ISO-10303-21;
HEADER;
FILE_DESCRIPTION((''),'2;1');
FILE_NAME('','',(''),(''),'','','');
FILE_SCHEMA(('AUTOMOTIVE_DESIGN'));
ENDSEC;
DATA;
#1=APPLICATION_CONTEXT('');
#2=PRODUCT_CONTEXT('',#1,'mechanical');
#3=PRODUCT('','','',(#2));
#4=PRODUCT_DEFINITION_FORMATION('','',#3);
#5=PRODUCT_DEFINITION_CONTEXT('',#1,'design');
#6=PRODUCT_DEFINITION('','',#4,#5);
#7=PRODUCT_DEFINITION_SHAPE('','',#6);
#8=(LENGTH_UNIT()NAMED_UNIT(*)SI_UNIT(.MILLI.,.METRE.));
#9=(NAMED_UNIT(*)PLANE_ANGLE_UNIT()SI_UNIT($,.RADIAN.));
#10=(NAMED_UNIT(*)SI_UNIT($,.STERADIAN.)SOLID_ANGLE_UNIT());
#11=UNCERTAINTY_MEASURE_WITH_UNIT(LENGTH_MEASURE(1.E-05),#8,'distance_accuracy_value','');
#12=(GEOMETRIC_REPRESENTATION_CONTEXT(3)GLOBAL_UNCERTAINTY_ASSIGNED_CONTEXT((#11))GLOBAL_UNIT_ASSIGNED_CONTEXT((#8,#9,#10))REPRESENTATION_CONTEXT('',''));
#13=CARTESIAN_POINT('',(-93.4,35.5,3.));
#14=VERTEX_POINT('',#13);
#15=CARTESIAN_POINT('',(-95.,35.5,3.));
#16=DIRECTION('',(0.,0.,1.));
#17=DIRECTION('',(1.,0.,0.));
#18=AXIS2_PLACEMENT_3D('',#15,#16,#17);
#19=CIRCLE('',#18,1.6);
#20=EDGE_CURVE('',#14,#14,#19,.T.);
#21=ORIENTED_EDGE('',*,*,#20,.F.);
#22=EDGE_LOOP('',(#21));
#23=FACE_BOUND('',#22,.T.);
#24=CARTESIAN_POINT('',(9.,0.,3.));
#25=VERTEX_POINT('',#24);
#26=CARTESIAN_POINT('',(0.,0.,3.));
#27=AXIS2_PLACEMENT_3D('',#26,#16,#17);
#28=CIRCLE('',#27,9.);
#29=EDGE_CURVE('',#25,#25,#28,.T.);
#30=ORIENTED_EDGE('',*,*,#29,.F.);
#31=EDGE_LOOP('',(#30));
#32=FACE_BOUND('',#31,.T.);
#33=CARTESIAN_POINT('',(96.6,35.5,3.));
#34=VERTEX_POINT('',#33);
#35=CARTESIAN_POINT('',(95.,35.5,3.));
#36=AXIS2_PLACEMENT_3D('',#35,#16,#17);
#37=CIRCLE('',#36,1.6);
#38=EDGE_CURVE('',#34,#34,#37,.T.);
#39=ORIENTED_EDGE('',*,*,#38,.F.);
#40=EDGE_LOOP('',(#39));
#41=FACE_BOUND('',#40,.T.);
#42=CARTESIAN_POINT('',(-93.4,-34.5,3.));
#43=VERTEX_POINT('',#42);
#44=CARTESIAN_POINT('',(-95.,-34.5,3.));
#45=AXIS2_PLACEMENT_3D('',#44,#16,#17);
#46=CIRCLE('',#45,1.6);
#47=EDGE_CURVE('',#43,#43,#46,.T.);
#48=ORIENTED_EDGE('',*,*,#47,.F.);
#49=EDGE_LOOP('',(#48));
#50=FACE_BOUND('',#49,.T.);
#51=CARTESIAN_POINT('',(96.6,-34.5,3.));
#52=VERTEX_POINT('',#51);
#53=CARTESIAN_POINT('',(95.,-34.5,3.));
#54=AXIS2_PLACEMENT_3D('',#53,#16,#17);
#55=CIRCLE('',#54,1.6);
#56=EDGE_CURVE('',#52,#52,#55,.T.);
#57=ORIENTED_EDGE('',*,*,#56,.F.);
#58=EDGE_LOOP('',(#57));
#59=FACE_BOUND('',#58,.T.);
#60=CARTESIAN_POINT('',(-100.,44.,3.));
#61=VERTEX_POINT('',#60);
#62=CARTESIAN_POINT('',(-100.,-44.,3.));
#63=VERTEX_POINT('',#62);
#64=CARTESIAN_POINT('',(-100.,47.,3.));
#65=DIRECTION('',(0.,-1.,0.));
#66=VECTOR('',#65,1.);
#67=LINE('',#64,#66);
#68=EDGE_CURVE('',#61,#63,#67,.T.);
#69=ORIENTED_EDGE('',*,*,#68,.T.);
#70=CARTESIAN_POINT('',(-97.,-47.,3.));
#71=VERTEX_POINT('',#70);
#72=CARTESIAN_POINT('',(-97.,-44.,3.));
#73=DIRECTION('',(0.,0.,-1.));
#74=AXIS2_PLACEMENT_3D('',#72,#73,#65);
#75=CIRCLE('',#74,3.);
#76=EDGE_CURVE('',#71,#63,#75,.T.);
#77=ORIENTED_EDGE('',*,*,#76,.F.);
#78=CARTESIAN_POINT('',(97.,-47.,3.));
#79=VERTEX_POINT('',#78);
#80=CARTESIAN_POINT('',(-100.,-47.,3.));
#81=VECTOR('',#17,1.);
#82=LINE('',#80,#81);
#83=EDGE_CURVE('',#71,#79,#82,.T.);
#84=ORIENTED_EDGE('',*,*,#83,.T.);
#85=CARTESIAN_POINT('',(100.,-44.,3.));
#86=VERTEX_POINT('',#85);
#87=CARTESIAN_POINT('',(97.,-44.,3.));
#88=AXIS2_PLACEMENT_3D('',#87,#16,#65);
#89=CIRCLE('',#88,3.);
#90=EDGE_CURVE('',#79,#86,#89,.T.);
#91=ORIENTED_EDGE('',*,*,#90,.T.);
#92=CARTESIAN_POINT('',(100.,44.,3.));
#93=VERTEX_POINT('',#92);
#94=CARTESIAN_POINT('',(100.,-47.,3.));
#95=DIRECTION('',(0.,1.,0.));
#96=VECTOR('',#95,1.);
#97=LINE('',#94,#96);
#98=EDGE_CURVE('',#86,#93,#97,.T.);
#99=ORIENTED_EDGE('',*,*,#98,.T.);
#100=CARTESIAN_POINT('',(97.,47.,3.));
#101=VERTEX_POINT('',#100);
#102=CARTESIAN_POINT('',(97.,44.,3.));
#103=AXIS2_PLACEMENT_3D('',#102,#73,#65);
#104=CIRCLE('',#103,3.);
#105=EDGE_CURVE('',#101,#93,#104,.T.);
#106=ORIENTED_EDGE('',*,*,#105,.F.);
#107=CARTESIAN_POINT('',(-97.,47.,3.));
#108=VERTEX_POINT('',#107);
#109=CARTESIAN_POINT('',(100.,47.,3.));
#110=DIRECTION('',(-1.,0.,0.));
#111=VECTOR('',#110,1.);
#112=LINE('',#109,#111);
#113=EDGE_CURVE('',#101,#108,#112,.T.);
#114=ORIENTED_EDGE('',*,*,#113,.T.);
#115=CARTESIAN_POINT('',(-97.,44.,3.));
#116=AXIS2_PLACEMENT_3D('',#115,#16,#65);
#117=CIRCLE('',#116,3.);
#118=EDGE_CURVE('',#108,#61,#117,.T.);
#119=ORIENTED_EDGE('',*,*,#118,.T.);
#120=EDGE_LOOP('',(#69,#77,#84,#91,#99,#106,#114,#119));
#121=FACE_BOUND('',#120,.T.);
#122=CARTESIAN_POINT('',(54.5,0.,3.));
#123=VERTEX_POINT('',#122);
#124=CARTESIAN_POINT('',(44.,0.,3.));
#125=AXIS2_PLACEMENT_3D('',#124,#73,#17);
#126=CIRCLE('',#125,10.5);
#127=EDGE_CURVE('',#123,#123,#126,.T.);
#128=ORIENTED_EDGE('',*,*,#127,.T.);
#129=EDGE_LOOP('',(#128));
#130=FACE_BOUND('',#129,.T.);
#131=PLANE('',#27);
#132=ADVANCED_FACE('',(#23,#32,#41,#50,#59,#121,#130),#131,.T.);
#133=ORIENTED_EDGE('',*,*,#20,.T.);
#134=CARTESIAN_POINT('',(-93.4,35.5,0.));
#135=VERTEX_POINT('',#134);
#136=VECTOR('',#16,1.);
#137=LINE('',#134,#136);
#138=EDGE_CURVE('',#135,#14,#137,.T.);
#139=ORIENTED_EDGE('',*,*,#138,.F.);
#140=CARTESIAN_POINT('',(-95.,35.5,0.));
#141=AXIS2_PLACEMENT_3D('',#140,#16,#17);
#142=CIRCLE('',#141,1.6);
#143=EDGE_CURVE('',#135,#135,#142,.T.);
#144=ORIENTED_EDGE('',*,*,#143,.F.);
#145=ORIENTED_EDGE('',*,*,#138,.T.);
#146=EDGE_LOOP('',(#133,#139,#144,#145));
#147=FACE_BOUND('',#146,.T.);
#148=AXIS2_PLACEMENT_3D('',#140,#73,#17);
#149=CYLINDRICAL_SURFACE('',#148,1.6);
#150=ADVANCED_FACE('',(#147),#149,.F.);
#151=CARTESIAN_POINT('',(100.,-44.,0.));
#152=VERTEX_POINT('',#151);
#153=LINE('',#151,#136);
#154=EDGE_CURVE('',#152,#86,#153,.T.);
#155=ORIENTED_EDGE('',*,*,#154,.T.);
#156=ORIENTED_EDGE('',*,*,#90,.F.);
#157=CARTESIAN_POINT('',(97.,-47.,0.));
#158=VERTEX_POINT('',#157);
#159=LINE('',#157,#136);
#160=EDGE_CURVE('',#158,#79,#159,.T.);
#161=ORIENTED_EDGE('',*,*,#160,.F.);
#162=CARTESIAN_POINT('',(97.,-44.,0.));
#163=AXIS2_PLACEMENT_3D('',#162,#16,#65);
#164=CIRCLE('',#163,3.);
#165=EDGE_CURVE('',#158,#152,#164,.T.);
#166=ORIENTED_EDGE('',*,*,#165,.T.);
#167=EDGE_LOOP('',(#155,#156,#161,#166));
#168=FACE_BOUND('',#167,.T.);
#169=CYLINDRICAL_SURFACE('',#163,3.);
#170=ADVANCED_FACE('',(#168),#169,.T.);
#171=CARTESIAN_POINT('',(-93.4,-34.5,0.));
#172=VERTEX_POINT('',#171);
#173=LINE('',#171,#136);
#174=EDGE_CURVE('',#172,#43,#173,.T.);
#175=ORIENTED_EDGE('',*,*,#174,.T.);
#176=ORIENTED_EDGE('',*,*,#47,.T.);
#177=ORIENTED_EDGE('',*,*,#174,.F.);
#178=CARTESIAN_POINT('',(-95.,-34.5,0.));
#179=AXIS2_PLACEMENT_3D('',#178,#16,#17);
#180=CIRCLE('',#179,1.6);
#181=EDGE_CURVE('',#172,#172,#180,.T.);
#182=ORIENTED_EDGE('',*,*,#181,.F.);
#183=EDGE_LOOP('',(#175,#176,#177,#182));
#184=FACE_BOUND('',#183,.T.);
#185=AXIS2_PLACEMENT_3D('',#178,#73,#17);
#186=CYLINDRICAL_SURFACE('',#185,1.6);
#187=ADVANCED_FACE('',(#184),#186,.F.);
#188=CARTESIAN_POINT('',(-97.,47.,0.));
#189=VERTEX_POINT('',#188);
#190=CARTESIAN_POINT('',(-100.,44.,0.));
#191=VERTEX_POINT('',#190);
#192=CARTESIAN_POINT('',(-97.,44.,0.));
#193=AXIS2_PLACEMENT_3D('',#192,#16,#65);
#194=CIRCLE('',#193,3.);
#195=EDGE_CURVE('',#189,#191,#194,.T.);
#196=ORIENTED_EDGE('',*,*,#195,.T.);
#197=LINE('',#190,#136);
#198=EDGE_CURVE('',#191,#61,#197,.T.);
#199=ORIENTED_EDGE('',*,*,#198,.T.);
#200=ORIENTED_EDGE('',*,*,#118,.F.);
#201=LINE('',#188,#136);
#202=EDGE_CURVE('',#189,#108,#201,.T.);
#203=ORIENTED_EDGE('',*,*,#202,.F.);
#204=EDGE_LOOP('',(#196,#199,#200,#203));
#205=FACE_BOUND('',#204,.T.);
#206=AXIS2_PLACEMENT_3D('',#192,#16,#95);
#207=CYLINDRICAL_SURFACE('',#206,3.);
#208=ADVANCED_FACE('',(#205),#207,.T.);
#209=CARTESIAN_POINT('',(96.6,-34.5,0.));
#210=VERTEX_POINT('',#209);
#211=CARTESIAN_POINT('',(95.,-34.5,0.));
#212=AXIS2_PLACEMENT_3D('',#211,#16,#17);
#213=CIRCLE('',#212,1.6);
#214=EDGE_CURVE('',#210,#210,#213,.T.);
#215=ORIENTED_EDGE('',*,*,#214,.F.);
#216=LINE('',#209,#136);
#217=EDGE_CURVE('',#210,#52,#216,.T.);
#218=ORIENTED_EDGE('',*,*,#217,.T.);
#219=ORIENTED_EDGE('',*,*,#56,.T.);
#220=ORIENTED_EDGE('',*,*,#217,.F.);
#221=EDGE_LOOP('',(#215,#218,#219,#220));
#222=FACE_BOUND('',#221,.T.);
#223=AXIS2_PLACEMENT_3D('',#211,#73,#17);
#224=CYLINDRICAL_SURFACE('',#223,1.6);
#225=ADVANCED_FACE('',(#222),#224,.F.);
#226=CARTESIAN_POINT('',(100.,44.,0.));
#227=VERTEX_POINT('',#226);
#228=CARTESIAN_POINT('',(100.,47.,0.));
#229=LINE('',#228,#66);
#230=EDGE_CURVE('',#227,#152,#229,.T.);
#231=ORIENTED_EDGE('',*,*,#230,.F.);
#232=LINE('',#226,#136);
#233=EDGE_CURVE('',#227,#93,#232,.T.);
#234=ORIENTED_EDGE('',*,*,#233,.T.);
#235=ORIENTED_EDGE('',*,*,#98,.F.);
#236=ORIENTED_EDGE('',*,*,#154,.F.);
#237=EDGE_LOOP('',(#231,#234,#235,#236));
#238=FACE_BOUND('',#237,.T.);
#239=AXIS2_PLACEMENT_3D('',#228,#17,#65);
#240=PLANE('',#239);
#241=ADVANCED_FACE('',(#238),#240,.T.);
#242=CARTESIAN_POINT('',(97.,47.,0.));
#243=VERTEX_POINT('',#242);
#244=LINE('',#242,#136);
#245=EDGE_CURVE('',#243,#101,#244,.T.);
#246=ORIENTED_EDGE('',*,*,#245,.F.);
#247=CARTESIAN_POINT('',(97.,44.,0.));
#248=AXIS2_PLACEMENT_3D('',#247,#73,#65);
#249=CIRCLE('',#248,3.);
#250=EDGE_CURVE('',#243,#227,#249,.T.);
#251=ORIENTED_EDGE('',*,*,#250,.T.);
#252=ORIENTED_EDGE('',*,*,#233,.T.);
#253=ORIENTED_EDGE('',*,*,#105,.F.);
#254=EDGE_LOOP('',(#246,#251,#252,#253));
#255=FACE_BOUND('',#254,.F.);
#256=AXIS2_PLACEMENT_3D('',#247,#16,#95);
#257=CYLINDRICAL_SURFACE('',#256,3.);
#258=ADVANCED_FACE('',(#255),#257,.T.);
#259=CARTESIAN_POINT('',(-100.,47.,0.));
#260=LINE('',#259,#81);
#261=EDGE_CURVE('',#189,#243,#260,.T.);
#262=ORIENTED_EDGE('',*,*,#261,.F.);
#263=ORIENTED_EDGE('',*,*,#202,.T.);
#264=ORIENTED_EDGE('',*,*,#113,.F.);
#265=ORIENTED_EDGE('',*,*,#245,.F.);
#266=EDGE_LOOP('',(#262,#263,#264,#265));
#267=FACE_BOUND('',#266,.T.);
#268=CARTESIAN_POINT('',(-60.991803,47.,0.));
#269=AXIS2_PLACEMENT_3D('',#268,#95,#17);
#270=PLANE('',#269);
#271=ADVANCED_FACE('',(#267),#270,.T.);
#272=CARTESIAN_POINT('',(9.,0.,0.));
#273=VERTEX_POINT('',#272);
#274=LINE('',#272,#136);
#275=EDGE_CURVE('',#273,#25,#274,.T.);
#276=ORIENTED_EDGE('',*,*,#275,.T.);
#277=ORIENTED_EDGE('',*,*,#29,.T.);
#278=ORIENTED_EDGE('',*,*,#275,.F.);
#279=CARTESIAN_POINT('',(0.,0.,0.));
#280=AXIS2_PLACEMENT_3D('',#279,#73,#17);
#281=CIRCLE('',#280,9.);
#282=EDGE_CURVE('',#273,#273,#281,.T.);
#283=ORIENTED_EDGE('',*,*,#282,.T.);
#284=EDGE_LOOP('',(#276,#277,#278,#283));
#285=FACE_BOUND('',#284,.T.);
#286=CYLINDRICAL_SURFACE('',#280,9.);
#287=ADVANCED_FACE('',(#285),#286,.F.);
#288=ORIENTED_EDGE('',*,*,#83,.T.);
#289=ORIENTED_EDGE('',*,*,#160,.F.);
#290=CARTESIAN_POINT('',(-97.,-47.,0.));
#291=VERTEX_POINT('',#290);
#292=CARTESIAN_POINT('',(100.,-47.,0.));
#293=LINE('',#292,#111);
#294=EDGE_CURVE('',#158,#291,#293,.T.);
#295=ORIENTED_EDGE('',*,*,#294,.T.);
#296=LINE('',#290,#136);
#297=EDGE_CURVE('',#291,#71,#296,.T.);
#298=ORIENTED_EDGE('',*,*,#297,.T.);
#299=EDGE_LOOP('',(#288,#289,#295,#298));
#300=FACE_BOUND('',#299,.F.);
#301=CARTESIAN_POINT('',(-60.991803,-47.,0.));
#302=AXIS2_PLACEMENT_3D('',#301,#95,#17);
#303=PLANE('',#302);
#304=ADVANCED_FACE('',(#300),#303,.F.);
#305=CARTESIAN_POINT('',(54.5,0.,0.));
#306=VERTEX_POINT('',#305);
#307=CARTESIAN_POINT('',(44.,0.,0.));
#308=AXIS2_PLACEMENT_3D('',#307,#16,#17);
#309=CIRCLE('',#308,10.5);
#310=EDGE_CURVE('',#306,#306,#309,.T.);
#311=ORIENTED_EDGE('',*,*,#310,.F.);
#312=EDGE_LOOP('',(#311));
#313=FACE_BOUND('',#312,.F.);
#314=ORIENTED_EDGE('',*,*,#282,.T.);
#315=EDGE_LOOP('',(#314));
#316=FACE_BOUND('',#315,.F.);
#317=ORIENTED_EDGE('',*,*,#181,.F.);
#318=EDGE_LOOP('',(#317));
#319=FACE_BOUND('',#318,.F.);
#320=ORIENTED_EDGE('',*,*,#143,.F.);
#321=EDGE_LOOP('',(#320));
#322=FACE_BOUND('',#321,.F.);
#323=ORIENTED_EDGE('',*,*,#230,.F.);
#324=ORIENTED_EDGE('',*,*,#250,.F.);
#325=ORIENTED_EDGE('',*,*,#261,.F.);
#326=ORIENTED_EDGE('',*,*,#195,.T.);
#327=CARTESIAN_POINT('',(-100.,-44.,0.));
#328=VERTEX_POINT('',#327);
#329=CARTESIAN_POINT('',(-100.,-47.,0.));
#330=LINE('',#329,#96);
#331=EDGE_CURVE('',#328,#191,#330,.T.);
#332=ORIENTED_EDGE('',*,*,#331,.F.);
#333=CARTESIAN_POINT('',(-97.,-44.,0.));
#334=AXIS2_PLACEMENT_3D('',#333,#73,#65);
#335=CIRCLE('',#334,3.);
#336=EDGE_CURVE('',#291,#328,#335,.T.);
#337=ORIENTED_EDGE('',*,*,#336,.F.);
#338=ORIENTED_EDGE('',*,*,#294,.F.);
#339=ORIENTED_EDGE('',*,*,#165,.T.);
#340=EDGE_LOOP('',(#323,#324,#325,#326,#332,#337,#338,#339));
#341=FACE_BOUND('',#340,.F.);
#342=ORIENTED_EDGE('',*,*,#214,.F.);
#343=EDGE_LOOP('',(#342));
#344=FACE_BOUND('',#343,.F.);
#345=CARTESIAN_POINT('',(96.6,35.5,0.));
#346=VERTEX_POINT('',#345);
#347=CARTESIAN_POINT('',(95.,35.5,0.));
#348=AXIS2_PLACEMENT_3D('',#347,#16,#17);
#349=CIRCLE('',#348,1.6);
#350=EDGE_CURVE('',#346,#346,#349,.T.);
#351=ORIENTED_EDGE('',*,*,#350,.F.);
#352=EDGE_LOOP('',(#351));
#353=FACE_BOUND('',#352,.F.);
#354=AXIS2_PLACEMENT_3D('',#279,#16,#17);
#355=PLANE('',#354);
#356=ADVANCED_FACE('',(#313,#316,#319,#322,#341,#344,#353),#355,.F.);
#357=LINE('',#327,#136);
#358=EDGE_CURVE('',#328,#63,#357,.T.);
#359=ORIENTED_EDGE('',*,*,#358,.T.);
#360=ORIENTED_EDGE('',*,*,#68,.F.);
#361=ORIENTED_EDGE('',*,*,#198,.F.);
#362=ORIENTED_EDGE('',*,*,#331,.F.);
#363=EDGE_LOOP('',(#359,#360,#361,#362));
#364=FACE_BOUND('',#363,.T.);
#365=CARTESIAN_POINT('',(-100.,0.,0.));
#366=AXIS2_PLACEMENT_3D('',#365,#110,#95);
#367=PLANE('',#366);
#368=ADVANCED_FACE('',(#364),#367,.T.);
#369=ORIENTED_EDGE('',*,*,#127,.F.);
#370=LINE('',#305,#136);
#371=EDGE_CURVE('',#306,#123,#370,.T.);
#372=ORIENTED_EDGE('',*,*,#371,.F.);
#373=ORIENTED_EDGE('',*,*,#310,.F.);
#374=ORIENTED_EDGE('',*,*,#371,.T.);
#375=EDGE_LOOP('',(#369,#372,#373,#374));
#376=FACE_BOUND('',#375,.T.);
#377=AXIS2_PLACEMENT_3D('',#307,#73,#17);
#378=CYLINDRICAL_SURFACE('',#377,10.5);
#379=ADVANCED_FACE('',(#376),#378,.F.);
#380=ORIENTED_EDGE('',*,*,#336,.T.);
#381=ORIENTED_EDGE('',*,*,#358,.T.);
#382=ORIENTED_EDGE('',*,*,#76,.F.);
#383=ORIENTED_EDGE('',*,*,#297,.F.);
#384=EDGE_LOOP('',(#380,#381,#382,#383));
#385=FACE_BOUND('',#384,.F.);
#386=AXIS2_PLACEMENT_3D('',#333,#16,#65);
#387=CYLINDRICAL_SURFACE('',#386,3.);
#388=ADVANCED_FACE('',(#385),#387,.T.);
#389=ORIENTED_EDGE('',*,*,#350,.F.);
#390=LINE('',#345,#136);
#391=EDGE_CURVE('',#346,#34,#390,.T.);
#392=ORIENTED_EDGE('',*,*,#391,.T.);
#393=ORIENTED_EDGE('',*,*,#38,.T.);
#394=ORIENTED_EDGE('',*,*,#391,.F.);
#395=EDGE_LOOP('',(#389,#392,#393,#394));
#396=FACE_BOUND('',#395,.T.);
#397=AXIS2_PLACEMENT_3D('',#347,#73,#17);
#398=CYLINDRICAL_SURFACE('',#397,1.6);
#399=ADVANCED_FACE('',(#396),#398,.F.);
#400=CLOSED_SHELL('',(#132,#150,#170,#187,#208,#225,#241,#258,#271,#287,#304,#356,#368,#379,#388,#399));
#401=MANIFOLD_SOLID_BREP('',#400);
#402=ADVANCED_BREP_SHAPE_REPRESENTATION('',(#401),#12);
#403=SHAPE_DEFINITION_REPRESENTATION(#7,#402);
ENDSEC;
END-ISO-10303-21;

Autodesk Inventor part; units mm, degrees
ref_plane "YZ Plane" through (0, 0, 0) normal (1, 0, 0) x (0, 1, 0)
ref_plane "XZ Plane" through (0, 0, 0) normal (0, 1, 0) x (-1, 0, 0)
ref_plane "XY Plane" through (0, 0, 0) normal (0, 0, 1) x (1, 0, 0)
sketch "スケッチ1" plane through (0, 0, 0) normal (0, 0, 1) x (1, 0, 0)
  circle A0 centre (0, 0) radius 77
  circle A1 centre (0, 0) radius 9
  circle A2 centre (44, 0) radius 10.5
  circle A3 centre (-44, 0) radius 6
  line L0 (100, -77) -> (-100, -77)
  line L1 (-100, -77) -> (-100, 77)
  line L2 (-100, 77) -> (100, 77)
  line L3 (100, 77) -> (100, -77)
  line L4 (100, -77) -> (-100, 77) construction
  line L5 (-100, -77) -> (100, 77) construction
  line L6 (-100, 0) -> (100, 0)
  line L7 (-100, 47) -> (100, 47)
  circle A4 centre (-95, 35.5) radius 1.6
  circle A5 centre (-95, -34.5) radius 1.6
  circle A6 centre (95, 35.5) radius 1.6
  circle A7 centre (95, -34.5) radius 1.6
  circle A8 centre (-44, 0) radius 9
  circle A9 centre (44, 0) radius 17.5
  circle A10 centre (-44, 9) radius 1.6
  circle A11 centre (-44, -9) radius 1.6
  circle A12 centre (44, 17.5) radius 2.05
  circle A13 centre (26.5, 0) radius 2.05
  circle A14 centre (44, -17.5) radius 2.05
  circle A15 centre (61.5, 0) radius 2.05
  line L8 (-100, -47) -> (100, -47)
  dimension "d20" = 18
  dimension "d21" = 35
  dimension "d0" = 154
  dimension "d1" = 18
  dimension "d2" = 21
  dimension "d3" = 12
  dimension "d4" = 44
  dimension "d5" = 44
  dimension "d6" = 200
  dimension "d7" = 30
  dimension "d8" = 3.2
  dimension "d9" = 3.2
  dimension "d10" = 3.2
  dimension "d11" = 3.2
  dimension "d12" = 5
  dimension "d15" = 5
  dimension "d16" = 5
  dimension "d17" = 70
  dimension "d18" = 5
  dimension "d19" = 70
  dimension "d22" = 3.2
  dimension "d25" = 360
  dimension "d27" = 9
  dimension "d28" = 4.1
  dimension "d29" = 17.5
  dimension "d32" = 360
  dimension "d36" = 11.5
  dimension "d37" = 11.5
  dimension "d38" = 30
extrude "押し出し1" add sketch "スケッチ1" along normal blind 3 contours L6 A15 A9 A12 A13 A1 A8 A10 A0 L7 | L6 L3 L8 A0 | A0 L8 L6 A8 A11 A1 A13 A9 A14 A15 | A0 L7 L3 L6 | A15 A9 L6 | L6 A9 A15 | A0 L6 L1 L7 | L8 L1 L6 A0 | A9 A15 L6 | L6 A15 A9 | A15 L6 A2 A13 A9 A12 | A9 A14 A13 L6 A2 A15 | A12 A9 | A9 A12 | A14 A9 | A9 A14 | A8 A10 L6 A3 | L6 A3 A8 A11 | L6 A3 | A3 L6 | A10 A8 | A8 A10 | A11 A8 | A8 A11 | A13 L6 A9 | A9 L6 A13 | A13 L6 A9 | A9 L6 A13
fillet "フィレット1" radius 3 4 edges at (100, 47, 1.5) (100, -47, 1.5) (-100, -47, 1.5) (-100, 47, 1.5)
sketch "スケッチ3" plane through (0, 0, 3) normal (0, 0, 1) x (1, 0, 0)
  arc A0 (-97, 47) -> (-100, 44) centre (-97, 44) ccw projected
  line L0 (-100, 44) -> (-100, -44) projected
  arc A1 (-100, -44) -> (-97, -47) centre (-97, -44) ccw projected
  line L1 (-97, -47) -> (97, -47) projected
  arc A2 (97, -47) -> (100, -44) centre (97, -44) ccw projected
  line L2 (100, -44) -> (100, 44) projected
  arc A3 (100, 44) -> (97, 47) centre (97, 44) ccw projected
  line L3 (97, 47) -> (-97, 47) projected
  circle A4 centre (-95, 35.5) radius 1.6 projected
  circle A5 centre (95, 35.5) radius 1.6 projected
  circle A6 centre (-95, -34.5) radius 1.6 projected
  circle A7 centre (0, 0) radius 9 projected
  circle A8 centre (44, 0) radius 10.5 projected
  circle A9 centre (95, -34.5) radius 1.6 projected
equation "\"d5\" = d4"
equation "\"d17\" = d19"
equation "\"d29\" = 0.5 * d21"
equation "\"d37\" = d36"
equation "\"d38\" = d7"
properties part number "canon_plate_midd"
